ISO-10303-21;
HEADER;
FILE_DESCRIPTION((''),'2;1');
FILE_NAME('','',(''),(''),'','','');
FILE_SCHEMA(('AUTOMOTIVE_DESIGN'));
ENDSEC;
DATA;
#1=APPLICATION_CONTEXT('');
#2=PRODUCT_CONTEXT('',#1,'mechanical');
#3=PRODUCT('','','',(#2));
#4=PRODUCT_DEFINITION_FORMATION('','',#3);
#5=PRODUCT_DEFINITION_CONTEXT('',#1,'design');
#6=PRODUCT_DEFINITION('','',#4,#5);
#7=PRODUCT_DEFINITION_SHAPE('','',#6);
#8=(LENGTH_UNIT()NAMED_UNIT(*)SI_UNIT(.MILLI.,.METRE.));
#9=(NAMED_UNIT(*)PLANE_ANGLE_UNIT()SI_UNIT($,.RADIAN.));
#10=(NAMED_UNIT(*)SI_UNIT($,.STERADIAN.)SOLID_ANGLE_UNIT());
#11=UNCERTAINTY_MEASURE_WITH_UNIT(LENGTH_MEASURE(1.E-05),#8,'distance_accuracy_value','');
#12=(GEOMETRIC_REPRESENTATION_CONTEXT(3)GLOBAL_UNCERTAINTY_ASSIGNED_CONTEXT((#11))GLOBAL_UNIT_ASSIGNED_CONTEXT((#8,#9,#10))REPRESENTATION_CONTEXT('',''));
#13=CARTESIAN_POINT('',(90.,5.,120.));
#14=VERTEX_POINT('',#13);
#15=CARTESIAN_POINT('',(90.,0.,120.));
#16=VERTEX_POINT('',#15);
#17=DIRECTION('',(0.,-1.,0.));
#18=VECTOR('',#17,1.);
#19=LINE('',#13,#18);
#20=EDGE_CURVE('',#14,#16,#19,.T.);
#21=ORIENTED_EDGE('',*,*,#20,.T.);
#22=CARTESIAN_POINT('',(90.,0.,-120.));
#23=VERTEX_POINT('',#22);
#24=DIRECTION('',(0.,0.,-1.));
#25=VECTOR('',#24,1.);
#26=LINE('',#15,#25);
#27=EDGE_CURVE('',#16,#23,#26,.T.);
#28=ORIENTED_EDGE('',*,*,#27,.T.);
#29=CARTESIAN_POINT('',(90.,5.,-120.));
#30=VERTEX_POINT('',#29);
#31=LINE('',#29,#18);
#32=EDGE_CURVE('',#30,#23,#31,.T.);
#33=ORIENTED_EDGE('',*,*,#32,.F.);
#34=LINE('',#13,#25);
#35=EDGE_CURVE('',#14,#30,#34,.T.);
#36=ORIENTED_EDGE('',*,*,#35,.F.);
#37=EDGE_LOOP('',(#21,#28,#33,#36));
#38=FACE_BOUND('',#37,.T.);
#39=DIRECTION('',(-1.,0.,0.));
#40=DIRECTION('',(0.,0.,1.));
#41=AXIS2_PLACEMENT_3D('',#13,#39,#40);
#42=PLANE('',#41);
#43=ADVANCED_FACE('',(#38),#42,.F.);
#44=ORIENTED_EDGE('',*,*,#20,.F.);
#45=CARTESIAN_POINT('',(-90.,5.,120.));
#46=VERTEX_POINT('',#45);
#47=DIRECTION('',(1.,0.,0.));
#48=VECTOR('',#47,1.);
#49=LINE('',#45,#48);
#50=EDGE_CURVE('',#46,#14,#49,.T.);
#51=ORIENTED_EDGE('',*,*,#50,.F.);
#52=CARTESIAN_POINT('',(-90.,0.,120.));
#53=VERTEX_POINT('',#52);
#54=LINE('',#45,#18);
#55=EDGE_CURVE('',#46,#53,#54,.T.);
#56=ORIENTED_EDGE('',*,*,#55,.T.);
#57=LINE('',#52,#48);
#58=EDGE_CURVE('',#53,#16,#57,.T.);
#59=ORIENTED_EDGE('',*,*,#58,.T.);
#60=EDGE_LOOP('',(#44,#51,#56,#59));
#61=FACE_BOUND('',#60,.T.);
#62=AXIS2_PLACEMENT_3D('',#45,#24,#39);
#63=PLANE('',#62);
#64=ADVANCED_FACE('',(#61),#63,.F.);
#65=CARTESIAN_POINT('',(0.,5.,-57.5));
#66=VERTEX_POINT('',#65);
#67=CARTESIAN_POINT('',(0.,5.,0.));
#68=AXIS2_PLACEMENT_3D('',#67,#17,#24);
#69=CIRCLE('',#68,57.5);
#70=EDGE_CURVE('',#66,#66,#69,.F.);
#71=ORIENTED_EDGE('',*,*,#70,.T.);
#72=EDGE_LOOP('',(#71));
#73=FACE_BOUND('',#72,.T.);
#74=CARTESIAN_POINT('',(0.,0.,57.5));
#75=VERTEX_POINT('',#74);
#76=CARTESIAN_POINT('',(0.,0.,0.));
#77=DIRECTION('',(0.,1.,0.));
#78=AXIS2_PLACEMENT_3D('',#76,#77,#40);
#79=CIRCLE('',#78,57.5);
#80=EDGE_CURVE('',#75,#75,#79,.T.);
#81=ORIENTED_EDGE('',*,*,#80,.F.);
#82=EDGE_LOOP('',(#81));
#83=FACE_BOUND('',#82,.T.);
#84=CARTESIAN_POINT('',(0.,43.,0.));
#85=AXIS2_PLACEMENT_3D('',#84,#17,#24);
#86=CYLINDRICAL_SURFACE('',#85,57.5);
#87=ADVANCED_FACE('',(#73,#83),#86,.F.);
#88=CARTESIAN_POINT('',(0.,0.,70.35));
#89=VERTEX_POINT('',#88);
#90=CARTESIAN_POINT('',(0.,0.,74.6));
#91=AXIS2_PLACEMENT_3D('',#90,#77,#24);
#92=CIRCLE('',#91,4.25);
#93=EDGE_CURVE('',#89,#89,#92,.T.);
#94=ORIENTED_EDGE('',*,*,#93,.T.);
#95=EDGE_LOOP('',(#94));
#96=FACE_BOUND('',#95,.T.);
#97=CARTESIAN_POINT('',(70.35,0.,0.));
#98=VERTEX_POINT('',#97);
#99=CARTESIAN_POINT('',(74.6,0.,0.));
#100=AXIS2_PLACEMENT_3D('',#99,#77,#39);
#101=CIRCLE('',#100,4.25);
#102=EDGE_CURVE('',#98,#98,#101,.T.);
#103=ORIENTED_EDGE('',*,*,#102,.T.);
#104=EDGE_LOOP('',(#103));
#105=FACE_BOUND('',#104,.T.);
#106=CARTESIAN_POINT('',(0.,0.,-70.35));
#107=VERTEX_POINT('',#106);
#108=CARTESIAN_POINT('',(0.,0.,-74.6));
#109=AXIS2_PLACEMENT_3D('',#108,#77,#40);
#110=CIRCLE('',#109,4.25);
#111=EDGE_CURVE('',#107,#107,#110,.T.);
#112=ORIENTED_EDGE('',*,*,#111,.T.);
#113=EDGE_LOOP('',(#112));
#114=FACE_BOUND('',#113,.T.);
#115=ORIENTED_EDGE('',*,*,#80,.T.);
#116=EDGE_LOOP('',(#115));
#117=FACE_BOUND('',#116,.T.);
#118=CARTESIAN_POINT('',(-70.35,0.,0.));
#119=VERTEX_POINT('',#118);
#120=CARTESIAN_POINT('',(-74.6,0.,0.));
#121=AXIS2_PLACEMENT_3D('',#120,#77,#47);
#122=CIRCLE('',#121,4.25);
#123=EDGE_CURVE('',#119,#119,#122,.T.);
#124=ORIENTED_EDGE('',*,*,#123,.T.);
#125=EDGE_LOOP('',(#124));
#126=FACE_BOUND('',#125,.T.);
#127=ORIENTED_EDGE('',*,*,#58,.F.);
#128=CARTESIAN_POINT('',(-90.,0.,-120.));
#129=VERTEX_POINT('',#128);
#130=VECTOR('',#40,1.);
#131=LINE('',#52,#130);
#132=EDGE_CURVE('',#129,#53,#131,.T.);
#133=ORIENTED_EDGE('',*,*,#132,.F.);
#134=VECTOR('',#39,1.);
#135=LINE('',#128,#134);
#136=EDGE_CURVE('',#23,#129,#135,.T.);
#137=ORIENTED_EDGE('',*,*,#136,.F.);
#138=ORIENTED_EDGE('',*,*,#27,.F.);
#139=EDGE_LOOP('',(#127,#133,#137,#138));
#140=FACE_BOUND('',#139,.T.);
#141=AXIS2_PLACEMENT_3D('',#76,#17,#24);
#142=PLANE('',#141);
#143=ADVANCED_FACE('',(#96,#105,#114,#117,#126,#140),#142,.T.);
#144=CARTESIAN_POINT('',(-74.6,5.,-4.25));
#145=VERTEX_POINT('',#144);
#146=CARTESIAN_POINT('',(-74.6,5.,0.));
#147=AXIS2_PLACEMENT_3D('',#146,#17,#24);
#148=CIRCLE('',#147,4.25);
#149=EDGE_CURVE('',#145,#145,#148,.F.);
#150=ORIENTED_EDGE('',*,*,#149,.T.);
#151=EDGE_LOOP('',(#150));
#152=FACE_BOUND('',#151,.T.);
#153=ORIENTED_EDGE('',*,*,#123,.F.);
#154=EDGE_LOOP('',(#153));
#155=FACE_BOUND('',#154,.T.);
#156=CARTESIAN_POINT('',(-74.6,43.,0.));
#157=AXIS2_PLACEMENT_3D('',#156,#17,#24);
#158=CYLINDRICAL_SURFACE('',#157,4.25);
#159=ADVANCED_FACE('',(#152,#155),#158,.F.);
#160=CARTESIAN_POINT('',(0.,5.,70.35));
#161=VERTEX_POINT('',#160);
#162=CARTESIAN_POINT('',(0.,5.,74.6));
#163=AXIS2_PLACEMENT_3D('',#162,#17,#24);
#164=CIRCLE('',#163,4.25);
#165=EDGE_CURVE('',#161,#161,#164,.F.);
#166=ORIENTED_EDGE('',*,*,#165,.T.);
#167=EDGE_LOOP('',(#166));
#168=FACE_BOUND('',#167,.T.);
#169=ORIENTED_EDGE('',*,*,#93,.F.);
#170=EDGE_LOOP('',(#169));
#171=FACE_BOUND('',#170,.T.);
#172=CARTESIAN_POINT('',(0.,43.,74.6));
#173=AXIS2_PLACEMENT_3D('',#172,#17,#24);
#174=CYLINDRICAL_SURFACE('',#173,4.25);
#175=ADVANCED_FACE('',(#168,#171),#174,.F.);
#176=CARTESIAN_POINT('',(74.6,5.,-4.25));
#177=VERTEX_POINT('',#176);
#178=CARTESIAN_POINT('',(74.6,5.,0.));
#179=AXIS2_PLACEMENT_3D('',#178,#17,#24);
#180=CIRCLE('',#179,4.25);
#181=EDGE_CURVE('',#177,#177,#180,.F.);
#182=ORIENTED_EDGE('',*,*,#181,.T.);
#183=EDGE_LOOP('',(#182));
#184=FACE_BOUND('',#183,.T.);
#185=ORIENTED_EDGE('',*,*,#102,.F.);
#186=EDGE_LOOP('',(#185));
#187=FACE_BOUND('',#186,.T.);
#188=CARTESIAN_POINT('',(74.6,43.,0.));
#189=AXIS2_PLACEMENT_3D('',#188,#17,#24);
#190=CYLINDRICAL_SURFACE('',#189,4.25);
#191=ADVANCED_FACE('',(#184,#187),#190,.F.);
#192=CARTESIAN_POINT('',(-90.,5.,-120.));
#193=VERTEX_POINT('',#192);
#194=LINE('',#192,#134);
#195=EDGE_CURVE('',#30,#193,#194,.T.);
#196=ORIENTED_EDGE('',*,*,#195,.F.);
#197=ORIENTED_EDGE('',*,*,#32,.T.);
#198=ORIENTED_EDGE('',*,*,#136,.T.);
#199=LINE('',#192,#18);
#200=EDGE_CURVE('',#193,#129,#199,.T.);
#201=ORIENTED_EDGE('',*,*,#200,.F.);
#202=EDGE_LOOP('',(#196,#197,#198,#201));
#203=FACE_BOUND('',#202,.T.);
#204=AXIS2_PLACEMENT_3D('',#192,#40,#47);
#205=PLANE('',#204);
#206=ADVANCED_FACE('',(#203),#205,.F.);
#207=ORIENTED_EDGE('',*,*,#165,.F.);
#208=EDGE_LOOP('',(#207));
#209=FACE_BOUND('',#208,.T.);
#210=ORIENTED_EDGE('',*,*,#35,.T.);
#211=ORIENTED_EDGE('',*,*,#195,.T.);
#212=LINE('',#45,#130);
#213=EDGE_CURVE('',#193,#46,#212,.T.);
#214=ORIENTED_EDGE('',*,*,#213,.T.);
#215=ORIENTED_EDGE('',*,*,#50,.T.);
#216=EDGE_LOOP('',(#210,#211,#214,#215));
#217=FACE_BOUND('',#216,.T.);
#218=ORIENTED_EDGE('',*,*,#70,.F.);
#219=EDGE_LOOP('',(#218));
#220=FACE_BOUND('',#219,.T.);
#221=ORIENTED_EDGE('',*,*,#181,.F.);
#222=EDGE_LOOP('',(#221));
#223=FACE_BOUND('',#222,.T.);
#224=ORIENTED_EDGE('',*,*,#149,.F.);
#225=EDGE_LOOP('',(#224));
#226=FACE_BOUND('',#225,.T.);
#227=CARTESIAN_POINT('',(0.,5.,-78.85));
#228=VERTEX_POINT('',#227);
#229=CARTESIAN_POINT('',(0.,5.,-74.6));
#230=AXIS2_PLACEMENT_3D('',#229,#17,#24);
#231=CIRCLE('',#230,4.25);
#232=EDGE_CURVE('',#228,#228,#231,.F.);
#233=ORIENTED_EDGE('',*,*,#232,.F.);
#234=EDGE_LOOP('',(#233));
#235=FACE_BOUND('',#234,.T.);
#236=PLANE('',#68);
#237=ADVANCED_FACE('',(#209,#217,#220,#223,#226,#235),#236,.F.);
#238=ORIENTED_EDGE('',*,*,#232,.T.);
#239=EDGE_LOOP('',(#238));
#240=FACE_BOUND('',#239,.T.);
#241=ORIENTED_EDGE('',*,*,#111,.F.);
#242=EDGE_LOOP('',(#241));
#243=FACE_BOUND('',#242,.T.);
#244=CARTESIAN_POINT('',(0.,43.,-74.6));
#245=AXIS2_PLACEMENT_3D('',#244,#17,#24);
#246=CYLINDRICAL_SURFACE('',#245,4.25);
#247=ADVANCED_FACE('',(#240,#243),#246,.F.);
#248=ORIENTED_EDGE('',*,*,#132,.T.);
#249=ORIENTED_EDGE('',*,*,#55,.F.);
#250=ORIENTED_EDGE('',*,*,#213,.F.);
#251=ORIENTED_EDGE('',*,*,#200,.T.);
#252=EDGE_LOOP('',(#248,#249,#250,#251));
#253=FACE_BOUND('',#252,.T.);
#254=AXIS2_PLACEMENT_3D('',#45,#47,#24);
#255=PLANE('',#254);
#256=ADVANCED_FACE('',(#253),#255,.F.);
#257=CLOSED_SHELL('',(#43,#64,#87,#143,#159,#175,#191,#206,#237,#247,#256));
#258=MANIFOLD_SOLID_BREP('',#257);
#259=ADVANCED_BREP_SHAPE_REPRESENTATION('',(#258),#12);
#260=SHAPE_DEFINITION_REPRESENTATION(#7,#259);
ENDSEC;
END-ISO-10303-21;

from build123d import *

# Parameters (mm, degrees)
SZKIC1_W                    = 180
SZKIC1_H                    = 240
DODANIE_WYCI_GNI_CIE1_DEPTH = 5
SZKIC2_R                    = 57.5
SZKIC2_R_2                  = 4.25
WYTNIJ_WYCI_GNI_CIE1_DEPTH  = 43
SZYK_KO_OWY1_COUNT          = 4


with BuildPart() as part:
    # Szkic1 → Dodanie-wyciągnięcie1 (new body)
    with BuildSketch(Plane(origin=(0, 0, 0), x_dir=(1, 0, 0), z_dir=(0, 1, 0))):
        Rectangle(SZKIC1_W, SZKIC1_H)
    extrude(amount=DODANIE_WYCI_GNI_CIE1_DEPTH)

    # Szkic2 → Wytnij-wyciągnięcie1 (cut)
    with BuildSketch(Plane(origin=(0, 0, 0), x_dir=(1, 0, 0), z_dir=(0, 1, 0))):
        Circle(SZKIC2_R)
        with Locations((0, 74.6)):
            Circle(SZKIC2_R_2)
    wytnij_wyci_gni_cie1 = extrude(amount=WYTNIJ_WYCI_GNI_CIE1_DEPTH, mode=Mode.SUBTRACT)

    # Szyk kołowy1: Wytnij-wyciągnięcie1 ×4 about axis
    szyk_ko_owy1_axis = Axis((0, 0, 0), (0, 1, 0))
    for i in range(1, SZYK_KO_OWY1_COUNT):
        add(wytnij_wyci_gni_cie1.rotate(szyk_ko_owy1_axis, i * 360 / SZYK_KO_OWY1_COUNT), mode=Mode.SUBTRACT)


solid = part.part
